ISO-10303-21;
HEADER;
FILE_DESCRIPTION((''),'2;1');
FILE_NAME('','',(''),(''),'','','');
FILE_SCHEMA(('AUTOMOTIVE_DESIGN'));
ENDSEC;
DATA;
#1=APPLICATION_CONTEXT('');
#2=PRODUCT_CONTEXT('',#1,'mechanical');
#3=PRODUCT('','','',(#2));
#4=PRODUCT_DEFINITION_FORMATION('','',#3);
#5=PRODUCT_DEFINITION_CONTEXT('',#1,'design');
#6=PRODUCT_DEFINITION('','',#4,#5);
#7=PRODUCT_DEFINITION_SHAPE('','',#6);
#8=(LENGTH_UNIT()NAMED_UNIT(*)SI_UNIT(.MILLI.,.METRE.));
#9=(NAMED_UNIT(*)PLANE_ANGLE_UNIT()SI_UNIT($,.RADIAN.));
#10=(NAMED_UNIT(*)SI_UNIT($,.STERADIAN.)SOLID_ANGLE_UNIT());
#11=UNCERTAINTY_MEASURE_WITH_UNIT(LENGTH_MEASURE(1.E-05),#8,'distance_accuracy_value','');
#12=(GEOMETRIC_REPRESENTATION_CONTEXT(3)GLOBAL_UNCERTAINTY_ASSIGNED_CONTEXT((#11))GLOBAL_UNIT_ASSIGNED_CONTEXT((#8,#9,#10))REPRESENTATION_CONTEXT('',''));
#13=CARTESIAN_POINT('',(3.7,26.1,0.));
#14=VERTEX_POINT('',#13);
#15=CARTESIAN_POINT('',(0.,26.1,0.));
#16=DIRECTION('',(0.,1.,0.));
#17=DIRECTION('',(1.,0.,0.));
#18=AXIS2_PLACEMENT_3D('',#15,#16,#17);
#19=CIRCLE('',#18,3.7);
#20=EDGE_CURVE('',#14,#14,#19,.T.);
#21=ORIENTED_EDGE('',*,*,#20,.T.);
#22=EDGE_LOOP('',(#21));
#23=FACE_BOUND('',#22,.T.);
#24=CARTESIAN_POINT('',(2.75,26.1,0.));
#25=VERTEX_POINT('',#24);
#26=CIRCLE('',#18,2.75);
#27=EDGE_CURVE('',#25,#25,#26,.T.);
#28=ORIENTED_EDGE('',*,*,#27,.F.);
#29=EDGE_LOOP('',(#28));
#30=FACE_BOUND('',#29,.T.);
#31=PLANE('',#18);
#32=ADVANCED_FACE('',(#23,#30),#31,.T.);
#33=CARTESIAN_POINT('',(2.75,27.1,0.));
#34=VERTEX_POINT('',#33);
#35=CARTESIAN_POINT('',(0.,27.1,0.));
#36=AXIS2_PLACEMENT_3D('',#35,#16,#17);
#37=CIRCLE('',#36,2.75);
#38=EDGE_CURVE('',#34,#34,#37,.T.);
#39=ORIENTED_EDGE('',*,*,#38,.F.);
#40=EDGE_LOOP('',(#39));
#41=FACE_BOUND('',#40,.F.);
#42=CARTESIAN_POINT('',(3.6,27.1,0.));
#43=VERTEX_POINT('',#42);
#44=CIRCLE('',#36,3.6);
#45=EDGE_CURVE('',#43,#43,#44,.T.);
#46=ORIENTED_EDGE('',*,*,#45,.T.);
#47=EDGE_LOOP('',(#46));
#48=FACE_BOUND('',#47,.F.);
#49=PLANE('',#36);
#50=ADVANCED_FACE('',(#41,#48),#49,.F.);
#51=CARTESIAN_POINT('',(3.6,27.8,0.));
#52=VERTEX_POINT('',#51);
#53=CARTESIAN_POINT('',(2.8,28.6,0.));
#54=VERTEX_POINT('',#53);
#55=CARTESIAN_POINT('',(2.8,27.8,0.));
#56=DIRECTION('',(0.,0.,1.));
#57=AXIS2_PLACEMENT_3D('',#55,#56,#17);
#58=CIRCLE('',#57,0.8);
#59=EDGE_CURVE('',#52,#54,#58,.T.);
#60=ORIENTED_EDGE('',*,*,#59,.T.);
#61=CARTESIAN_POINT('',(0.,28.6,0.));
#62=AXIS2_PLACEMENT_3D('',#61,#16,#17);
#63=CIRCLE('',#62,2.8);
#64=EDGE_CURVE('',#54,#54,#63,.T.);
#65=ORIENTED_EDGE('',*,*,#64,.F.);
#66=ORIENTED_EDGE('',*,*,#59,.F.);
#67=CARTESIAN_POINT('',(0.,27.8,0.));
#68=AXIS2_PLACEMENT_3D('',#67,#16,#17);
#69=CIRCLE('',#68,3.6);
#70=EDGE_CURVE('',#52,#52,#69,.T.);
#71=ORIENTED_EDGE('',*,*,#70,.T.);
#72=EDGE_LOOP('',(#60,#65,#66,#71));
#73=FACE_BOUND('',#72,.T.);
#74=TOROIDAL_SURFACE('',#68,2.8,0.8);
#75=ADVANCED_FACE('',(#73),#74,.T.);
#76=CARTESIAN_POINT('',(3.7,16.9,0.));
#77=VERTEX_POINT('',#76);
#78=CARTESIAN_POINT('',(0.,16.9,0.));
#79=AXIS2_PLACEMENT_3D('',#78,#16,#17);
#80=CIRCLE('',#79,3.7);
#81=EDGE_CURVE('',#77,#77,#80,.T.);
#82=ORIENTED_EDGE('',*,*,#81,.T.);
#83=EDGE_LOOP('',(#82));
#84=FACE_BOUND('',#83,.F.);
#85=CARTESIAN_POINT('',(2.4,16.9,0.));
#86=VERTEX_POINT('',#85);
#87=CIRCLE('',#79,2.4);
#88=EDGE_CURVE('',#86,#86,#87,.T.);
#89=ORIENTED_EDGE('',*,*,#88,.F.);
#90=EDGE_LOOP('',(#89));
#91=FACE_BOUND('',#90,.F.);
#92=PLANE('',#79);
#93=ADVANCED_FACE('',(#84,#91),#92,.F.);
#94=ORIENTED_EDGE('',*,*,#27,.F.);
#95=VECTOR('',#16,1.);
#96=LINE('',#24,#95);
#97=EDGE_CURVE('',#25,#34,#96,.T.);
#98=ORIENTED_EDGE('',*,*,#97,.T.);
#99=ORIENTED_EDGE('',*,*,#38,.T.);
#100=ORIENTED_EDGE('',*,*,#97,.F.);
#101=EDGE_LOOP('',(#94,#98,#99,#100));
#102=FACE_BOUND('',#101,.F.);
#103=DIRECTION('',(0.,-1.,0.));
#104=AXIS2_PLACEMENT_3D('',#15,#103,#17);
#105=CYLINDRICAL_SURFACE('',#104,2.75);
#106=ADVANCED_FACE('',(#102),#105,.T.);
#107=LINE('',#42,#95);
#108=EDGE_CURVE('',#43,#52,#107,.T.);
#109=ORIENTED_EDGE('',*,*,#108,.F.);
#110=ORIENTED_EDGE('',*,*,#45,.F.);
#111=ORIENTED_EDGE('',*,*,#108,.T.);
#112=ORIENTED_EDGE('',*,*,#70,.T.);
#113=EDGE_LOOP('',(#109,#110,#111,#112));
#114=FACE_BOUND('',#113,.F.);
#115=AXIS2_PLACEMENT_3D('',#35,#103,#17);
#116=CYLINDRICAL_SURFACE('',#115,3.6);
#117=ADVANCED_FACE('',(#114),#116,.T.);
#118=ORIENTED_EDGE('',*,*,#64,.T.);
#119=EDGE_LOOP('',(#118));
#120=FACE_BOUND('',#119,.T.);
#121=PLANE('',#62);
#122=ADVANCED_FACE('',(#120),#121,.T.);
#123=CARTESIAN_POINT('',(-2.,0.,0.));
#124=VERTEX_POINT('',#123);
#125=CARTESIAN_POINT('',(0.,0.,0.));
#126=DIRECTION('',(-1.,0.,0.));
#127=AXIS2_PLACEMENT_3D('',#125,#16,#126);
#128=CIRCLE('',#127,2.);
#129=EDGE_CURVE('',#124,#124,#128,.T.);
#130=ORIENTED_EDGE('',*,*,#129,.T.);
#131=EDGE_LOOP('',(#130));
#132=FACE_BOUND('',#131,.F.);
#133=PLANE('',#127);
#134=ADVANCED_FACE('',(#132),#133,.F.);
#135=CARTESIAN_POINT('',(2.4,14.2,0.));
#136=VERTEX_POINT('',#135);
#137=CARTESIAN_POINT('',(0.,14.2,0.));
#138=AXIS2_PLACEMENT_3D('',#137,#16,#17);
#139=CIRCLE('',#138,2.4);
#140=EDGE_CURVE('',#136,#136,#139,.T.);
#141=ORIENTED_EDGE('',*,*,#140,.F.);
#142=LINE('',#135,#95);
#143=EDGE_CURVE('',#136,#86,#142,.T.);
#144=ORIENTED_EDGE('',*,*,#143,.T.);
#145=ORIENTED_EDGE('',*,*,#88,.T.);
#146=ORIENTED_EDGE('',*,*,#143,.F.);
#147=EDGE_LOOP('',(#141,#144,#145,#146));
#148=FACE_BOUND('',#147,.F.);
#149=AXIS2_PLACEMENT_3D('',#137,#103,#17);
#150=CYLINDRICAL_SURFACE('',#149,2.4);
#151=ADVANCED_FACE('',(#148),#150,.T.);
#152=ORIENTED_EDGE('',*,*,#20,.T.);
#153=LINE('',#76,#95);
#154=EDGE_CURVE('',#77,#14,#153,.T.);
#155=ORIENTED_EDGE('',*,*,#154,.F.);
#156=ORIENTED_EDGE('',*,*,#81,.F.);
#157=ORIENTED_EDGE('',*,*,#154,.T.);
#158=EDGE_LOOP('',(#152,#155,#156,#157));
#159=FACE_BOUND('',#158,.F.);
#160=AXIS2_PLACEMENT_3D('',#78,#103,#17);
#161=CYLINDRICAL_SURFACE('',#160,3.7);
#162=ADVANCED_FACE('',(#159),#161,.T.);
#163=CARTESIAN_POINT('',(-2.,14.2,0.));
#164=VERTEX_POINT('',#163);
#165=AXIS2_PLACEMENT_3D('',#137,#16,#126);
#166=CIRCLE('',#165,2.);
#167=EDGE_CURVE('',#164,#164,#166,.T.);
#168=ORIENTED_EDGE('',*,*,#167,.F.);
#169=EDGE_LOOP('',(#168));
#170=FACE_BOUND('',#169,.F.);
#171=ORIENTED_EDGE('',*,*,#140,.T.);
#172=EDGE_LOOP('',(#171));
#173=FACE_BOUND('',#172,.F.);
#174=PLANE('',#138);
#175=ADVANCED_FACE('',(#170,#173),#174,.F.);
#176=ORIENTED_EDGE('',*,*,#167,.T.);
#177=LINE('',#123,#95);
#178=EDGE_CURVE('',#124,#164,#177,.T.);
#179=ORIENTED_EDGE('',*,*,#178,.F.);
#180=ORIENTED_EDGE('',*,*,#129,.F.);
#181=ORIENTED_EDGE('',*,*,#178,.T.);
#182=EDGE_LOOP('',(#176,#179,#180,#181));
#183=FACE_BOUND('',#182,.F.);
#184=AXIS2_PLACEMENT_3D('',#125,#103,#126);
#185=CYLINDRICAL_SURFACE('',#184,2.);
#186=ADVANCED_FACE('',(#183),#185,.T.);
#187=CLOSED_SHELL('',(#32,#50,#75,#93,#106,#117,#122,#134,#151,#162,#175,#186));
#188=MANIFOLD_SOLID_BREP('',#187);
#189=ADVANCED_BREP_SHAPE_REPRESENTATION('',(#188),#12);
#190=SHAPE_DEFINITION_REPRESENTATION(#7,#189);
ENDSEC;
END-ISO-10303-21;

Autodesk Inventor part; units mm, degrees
ref_plane "YZ Plane" through (0, 0, 0) normal (1, 0, 0) x (0, 1, 0)
ref_plane "XZ Plane" through (0, 0, 0) normal (0, 1, 0) x (-1, 0, 0)
ref_plane "XY Plane" through (0, 0, 0) normal (0, 0, 1) x (1, 0, 0)
sketch "Sketch1" plane through (0, 0, 0) normal (0, 1, 0) x (-1, 0, 0)
  circle A0 centre (0, 0) radius 2
  dimension "d0" = 4
extrude "Extrusion1" add sketch "Sketch1" along normal blind 14.2
sketch "Sketch2" plane through (0, 14.2, 0) normal (0, 1, 0) x (1, 0, 0)
  circle A0 centre (0, 0) radius 2.4
  dimension "d3" = 4.8
extrude "Extrusion2" add sketch "Sketch2" along normal blind 2.7
sketch "Sketch3" plane through (0, 16.9, 0) normal (0, 1, 0) x (1, 0, 0)
  circle A0 centre (0, 0) radius 3.7
  dimension "d6" = 7.4
extrude "Extrusion3" add sketch "Sketch3" along normal blind 9.2
sketch "Sketch4" plane through (0, 26.1, 0) normal (0, 1, 0) x (1, 0, 0)
  circle A0 centre (0, 0) radius 2.75
  dimension "d9" = 5.5
extrude "Extrusion4" add sketch "Sketch4" along normal blind 1
sketch "Sketch5" plane through (0, 27.1, 0) normal (0, 1, 0) x (1, 0, 0)
  circle A0 centre (0, 0) radius 3.6
  dimension "d12" = 7.2
extrude "Extrusion5" add sketch "Sketch5" along normal blind 1.5
fillet "Fillet1" radius 0.8 1 edges at (-3.6, 28.6, 0)
properties part number "SMC 4mmMale-1-8Push KQ2R01-03(R23-04)"
